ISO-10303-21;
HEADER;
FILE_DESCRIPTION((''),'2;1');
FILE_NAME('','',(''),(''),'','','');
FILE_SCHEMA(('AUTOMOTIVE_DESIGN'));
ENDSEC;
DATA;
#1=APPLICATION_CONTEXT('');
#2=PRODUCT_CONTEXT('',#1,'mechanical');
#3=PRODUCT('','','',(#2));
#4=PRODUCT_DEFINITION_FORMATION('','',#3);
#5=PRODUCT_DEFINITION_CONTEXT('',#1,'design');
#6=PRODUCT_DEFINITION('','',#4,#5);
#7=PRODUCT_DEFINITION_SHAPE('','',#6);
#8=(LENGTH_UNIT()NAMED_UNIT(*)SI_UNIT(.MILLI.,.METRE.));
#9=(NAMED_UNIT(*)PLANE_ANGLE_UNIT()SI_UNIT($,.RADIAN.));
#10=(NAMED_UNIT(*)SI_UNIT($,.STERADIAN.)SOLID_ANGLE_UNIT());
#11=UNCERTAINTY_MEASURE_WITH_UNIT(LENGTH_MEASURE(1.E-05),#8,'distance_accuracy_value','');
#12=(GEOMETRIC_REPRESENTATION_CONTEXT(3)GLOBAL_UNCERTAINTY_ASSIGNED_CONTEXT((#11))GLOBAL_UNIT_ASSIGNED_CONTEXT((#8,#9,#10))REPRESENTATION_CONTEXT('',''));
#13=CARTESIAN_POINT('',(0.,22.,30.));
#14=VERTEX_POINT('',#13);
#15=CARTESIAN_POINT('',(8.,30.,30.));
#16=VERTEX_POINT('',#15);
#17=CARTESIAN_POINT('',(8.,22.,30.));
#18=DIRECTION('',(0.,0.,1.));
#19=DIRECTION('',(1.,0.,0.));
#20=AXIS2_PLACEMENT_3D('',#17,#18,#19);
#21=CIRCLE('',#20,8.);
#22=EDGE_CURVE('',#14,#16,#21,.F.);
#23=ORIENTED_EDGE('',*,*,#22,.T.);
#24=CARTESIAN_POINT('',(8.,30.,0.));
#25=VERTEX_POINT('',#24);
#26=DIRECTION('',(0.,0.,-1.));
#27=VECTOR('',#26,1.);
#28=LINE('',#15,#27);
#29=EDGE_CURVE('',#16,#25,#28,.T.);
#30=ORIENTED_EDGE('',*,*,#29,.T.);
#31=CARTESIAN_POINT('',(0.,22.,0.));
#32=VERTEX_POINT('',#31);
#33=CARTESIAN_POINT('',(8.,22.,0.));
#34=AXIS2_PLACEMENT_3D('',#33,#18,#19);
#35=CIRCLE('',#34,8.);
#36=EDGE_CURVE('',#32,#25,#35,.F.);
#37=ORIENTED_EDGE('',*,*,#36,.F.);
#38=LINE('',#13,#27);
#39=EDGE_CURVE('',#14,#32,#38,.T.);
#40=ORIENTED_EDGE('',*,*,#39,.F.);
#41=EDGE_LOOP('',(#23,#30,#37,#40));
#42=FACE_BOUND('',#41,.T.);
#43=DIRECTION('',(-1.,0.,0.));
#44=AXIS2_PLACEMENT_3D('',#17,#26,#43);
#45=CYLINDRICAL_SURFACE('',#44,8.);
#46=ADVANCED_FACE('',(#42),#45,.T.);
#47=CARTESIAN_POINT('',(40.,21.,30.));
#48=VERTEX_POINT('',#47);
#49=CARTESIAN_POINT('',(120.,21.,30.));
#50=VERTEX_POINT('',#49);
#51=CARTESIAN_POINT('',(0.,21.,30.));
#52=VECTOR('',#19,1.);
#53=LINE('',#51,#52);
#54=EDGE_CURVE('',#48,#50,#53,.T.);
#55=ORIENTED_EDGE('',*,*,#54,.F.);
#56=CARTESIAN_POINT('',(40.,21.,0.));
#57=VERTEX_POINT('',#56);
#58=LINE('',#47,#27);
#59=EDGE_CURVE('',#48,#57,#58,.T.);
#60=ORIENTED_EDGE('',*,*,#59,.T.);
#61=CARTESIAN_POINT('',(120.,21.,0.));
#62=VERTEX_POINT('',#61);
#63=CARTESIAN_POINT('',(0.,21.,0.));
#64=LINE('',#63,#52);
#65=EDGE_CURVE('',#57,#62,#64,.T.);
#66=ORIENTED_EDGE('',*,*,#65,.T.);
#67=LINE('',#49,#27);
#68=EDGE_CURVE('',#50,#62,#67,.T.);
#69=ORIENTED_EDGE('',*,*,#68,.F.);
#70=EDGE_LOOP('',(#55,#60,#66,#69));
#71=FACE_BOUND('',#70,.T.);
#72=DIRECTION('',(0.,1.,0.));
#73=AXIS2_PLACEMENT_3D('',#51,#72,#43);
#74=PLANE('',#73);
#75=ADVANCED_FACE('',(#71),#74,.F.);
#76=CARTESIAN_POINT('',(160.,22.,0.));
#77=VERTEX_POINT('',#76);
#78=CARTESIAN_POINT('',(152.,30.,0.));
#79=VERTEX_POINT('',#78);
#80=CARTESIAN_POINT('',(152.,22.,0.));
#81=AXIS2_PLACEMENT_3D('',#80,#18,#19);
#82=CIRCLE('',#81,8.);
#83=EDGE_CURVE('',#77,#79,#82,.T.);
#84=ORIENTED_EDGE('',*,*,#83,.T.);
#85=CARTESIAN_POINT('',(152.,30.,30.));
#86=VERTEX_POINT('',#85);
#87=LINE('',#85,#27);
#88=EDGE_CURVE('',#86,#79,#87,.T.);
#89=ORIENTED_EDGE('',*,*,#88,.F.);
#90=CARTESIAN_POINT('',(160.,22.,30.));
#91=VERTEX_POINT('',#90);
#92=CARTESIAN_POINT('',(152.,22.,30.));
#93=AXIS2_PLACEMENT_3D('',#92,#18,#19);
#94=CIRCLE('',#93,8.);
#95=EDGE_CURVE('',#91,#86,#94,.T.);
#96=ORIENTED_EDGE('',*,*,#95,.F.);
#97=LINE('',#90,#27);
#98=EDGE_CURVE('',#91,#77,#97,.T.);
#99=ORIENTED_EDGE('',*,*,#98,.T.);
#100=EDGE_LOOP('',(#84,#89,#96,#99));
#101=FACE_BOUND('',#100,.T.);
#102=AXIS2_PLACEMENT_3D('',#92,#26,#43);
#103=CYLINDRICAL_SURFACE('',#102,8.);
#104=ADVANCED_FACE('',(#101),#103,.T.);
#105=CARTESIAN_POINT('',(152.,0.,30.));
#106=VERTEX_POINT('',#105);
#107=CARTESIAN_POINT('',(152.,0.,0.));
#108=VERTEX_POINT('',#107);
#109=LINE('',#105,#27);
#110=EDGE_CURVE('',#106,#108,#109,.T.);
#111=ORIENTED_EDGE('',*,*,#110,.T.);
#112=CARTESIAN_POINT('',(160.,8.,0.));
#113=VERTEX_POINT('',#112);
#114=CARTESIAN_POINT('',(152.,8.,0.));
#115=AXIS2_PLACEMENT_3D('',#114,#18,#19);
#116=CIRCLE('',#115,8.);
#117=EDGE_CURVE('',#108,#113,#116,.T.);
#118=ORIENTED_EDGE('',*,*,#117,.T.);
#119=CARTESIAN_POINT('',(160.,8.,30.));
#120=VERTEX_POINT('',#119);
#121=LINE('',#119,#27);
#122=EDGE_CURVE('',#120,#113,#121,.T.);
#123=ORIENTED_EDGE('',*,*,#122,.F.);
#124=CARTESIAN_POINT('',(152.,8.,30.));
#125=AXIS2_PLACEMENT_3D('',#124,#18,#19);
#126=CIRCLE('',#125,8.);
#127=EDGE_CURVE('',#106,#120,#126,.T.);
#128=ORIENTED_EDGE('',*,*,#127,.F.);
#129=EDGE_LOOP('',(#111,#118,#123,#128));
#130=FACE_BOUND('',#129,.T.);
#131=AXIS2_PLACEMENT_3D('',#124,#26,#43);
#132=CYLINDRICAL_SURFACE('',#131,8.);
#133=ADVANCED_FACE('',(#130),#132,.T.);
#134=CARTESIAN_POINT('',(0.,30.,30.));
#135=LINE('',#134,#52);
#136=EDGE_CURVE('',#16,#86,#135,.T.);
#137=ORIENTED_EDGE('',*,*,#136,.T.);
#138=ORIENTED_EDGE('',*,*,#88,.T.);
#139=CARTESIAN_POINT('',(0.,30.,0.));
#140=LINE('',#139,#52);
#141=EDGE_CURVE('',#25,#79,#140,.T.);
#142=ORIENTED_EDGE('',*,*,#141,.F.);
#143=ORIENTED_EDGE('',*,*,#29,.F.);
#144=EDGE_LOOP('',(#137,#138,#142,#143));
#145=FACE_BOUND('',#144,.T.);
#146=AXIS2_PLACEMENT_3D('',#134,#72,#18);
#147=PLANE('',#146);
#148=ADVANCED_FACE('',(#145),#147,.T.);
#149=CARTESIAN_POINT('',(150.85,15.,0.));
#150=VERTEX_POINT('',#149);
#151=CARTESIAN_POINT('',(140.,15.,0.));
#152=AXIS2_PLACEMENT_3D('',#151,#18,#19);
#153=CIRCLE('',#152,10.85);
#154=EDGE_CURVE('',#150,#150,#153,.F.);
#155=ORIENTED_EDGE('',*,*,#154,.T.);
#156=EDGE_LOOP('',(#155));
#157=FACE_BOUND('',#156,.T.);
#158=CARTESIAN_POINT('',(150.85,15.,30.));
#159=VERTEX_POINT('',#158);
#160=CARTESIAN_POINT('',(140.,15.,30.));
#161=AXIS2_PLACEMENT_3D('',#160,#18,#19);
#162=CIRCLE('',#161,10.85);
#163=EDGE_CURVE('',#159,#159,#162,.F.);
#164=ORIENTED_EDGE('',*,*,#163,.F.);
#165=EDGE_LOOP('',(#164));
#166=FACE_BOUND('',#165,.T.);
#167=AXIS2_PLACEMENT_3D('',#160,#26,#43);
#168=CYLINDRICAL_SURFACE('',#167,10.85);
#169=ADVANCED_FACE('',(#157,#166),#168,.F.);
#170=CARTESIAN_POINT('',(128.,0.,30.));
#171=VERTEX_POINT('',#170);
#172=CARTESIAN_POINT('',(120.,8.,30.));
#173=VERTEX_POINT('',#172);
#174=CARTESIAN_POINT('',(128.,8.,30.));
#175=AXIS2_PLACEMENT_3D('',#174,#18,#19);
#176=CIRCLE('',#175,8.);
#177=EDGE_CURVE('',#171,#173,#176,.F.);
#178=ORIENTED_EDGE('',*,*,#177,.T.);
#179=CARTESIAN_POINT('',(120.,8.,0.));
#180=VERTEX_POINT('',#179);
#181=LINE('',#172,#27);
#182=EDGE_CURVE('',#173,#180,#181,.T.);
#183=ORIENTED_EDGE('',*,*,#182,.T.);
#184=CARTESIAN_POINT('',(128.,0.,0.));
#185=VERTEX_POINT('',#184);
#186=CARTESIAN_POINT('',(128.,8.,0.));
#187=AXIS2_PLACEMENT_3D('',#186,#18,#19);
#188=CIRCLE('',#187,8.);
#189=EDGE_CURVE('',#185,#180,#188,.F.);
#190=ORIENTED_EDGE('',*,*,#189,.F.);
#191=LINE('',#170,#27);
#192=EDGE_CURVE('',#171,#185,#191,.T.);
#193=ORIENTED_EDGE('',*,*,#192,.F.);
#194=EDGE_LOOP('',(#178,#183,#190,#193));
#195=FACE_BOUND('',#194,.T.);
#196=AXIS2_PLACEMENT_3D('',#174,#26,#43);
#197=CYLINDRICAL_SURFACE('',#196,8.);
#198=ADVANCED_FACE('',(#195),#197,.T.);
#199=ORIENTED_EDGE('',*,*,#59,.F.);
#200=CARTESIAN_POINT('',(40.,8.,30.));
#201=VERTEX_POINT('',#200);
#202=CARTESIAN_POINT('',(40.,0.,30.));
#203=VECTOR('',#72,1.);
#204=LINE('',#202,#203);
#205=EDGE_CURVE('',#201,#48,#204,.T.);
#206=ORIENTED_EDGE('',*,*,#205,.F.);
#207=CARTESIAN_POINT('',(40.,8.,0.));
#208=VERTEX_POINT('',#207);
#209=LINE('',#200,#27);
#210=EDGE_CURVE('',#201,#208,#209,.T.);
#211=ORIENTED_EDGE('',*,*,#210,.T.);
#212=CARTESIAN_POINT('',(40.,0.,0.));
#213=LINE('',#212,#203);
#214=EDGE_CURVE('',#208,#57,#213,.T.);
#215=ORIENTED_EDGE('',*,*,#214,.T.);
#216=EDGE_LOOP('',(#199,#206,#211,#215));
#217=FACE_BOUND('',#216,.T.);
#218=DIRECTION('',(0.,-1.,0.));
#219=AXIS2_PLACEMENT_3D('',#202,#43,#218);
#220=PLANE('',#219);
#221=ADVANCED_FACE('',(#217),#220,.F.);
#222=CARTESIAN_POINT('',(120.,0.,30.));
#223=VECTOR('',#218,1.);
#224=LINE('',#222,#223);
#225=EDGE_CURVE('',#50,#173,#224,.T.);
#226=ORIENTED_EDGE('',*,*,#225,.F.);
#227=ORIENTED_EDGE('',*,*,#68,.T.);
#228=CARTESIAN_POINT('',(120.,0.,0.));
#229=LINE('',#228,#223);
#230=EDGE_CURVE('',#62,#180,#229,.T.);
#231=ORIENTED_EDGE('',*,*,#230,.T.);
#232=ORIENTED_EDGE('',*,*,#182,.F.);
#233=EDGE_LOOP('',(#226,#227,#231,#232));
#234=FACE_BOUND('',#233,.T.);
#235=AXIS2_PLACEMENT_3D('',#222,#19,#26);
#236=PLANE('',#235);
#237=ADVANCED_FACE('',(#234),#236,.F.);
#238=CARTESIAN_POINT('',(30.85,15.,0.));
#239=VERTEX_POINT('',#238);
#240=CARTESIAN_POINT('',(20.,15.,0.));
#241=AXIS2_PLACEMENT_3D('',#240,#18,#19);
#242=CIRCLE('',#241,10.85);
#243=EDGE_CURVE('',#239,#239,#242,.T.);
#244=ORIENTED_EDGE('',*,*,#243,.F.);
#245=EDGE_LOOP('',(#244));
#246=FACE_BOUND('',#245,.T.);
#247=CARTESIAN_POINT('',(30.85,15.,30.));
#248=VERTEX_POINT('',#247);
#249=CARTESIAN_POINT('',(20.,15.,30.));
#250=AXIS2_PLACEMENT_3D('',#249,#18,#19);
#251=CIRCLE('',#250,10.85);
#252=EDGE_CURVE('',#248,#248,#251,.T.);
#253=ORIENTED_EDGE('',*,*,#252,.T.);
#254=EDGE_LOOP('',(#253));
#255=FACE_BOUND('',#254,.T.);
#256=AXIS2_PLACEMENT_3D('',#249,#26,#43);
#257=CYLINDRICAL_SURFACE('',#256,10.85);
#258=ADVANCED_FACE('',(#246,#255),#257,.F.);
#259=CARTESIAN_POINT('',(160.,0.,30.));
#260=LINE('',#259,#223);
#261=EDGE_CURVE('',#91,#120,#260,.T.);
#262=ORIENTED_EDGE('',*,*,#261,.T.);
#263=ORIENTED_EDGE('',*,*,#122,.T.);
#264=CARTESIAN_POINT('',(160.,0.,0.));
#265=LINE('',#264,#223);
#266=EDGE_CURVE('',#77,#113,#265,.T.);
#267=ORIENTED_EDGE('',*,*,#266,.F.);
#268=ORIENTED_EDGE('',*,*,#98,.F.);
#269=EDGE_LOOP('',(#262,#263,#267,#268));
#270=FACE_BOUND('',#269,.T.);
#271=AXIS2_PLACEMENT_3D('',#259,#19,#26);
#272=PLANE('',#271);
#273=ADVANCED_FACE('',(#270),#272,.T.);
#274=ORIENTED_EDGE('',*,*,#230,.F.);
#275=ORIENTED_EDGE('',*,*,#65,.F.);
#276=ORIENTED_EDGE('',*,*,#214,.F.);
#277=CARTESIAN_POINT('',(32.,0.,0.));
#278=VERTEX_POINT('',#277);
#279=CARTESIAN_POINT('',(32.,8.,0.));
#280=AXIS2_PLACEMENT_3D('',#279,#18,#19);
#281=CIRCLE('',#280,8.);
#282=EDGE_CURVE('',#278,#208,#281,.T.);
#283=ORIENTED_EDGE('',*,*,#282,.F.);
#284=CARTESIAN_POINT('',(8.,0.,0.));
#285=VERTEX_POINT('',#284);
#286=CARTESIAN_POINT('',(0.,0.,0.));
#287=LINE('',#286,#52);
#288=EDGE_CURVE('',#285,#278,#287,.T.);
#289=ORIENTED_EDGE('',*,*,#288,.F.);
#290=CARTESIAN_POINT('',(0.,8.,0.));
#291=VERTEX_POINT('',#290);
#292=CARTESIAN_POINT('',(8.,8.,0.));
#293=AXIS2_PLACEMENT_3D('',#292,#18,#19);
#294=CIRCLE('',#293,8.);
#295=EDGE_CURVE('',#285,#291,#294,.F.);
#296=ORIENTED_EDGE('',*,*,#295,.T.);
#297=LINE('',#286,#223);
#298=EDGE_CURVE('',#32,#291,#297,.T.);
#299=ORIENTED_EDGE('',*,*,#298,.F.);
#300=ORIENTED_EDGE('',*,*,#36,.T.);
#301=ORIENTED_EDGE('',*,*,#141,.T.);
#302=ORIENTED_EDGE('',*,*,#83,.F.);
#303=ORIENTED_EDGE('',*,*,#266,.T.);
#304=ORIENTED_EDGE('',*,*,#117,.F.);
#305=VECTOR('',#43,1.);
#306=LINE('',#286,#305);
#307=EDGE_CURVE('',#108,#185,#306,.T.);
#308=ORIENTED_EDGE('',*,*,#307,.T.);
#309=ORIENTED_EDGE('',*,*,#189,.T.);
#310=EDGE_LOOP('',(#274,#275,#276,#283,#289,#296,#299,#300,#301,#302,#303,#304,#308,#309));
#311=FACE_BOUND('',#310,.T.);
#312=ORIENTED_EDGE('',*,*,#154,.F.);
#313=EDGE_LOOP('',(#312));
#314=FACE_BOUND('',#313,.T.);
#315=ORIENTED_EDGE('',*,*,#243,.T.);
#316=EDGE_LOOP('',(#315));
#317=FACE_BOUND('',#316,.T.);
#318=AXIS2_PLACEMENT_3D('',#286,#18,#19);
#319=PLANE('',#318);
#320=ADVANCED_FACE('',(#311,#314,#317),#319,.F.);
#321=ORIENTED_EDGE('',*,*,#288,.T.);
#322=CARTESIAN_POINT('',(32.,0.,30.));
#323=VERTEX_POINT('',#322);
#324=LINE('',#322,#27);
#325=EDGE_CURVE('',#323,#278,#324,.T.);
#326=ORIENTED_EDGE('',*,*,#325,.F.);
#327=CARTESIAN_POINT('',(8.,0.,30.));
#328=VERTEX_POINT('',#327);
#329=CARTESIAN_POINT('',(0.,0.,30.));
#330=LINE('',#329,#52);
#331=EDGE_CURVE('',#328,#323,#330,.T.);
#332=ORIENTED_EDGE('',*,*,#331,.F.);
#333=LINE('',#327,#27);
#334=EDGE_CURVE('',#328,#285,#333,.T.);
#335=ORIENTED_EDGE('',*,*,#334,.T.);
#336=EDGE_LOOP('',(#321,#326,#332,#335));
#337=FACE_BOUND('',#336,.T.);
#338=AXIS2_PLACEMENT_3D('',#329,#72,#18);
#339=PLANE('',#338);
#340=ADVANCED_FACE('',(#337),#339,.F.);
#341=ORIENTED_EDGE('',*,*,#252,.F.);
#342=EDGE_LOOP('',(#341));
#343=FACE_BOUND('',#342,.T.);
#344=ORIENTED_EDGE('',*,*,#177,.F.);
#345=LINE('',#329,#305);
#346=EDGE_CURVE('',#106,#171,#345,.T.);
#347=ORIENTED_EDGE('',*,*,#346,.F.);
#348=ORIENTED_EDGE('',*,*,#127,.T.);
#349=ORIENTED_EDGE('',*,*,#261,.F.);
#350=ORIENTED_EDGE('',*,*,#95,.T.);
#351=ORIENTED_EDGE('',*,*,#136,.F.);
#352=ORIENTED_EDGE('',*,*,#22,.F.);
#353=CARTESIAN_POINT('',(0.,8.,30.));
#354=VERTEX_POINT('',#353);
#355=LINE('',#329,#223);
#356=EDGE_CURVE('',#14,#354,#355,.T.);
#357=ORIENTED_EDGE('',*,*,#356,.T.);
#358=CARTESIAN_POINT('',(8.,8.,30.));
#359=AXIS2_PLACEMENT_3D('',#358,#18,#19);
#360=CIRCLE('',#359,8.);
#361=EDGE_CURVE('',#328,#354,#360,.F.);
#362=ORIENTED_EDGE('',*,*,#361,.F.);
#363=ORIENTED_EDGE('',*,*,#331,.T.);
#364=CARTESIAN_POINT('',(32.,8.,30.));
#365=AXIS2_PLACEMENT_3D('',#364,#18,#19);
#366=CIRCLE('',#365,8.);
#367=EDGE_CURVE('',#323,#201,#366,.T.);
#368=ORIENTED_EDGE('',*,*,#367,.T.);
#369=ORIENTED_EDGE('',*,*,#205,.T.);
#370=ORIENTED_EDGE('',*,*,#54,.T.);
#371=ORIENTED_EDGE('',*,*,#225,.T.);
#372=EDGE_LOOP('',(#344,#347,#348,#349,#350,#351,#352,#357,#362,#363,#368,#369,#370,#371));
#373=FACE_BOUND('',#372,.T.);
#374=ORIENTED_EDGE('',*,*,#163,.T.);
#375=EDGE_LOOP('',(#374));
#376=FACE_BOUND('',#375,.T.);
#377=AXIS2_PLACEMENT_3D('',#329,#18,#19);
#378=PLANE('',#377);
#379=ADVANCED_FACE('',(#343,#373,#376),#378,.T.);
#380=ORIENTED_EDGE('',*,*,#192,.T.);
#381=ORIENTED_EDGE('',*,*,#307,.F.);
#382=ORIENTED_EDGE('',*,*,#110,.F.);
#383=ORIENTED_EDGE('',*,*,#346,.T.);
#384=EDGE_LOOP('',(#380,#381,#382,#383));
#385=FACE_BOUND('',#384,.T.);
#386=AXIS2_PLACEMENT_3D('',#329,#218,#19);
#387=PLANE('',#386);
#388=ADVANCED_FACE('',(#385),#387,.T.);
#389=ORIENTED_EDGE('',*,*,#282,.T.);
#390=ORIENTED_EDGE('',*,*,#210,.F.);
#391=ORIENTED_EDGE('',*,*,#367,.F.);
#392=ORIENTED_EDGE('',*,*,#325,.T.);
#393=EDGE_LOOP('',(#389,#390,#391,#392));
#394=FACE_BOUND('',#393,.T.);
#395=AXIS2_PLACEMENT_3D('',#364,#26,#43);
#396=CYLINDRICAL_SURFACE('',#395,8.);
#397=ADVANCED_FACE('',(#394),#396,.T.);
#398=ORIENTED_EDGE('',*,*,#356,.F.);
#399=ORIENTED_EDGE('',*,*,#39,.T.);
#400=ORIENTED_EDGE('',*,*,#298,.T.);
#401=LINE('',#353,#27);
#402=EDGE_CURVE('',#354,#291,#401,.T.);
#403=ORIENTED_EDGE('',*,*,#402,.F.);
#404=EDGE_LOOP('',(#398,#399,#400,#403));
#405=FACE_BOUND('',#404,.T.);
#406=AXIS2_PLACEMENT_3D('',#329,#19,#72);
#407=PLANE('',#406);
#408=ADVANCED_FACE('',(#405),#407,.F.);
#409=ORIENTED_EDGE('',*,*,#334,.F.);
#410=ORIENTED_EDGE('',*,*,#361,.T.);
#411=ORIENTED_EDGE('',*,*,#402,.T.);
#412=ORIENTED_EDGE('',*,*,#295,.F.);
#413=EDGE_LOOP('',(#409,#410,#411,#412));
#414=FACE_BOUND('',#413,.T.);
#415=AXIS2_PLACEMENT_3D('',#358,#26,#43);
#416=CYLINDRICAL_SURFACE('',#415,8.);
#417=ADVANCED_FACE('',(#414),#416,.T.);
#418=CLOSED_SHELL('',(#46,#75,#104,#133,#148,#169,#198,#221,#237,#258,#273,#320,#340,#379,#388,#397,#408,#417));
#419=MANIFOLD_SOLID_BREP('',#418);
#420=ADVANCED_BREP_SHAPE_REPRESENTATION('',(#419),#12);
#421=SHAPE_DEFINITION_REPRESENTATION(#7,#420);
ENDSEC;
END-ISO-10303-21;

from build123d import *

# Parameters (mm, degrees)
SKETCH2_R           = 10.85
SKETCH2_W           = 80
SKETCH2_H           = 9
BOSS_EXTRUDE1_DEPTH = 30


with BuildPart() as part:
    # Sketch2 → Boss-Extrude1 (new body)
    # profile 1 of 3: a face of its own
    with BuildSketch(Plane.XY):
        with BuildLine():
            ThreePointArc((0, 8), (2.343145751, 2.343145751), (8, 0))
            Line((8, 0), (32, 0))
            ThreePointArc((32, 0), (37.656854249, 2.343145751), (40, 8))
            Line((40, 8), (40, 21))
            Line((40, 21), (40, 30))
            Line((40, 30), (8, 30))
            ThreePointArc((8, 30), (2.343145751, 27.656854249), (0, 22))
            Line((0, 22), (0, 8))
        make_face()
        with Locations((20, 15)):
            Circle(SKETCH2_R, mode=Mode.SUBTRACT)
    # profile 2 of 3: a face of its own
    with BuildSketch(Plane.XY):
        with Locations((80, 25.5)):
            Rectangle(SKETCH2_W, SKETCH2_H)
    # profile 3 of 3: a face of its own
    with BuildSketch(Plane.XY):
        with BuildLine():
            Line((120, 30), (120, 21))
            Line((120, 21), (120, 8))
            ThreePointArc((120, 8), (122.343145751, 2.343145751), (128, 0))
            Line((128, 0), (152, 0))
            ThreePointArc((152, 0), (157.656854249, 2.343145751), (160, 8))
            Line((160, 8), (160, 22))
            ThreePointArc((160, 22), (157.656854249, 27.656854249), (152, 30))
            Line((152, 30), (120, 30))
        make_face()
        with Locations((140, 15)):
            Circle(SKETCH2_R, mode=Mode.SUBTRACT)
    extrude(amount=BOSS_EXTRUDE1_DEPTH)


solid = part.part
